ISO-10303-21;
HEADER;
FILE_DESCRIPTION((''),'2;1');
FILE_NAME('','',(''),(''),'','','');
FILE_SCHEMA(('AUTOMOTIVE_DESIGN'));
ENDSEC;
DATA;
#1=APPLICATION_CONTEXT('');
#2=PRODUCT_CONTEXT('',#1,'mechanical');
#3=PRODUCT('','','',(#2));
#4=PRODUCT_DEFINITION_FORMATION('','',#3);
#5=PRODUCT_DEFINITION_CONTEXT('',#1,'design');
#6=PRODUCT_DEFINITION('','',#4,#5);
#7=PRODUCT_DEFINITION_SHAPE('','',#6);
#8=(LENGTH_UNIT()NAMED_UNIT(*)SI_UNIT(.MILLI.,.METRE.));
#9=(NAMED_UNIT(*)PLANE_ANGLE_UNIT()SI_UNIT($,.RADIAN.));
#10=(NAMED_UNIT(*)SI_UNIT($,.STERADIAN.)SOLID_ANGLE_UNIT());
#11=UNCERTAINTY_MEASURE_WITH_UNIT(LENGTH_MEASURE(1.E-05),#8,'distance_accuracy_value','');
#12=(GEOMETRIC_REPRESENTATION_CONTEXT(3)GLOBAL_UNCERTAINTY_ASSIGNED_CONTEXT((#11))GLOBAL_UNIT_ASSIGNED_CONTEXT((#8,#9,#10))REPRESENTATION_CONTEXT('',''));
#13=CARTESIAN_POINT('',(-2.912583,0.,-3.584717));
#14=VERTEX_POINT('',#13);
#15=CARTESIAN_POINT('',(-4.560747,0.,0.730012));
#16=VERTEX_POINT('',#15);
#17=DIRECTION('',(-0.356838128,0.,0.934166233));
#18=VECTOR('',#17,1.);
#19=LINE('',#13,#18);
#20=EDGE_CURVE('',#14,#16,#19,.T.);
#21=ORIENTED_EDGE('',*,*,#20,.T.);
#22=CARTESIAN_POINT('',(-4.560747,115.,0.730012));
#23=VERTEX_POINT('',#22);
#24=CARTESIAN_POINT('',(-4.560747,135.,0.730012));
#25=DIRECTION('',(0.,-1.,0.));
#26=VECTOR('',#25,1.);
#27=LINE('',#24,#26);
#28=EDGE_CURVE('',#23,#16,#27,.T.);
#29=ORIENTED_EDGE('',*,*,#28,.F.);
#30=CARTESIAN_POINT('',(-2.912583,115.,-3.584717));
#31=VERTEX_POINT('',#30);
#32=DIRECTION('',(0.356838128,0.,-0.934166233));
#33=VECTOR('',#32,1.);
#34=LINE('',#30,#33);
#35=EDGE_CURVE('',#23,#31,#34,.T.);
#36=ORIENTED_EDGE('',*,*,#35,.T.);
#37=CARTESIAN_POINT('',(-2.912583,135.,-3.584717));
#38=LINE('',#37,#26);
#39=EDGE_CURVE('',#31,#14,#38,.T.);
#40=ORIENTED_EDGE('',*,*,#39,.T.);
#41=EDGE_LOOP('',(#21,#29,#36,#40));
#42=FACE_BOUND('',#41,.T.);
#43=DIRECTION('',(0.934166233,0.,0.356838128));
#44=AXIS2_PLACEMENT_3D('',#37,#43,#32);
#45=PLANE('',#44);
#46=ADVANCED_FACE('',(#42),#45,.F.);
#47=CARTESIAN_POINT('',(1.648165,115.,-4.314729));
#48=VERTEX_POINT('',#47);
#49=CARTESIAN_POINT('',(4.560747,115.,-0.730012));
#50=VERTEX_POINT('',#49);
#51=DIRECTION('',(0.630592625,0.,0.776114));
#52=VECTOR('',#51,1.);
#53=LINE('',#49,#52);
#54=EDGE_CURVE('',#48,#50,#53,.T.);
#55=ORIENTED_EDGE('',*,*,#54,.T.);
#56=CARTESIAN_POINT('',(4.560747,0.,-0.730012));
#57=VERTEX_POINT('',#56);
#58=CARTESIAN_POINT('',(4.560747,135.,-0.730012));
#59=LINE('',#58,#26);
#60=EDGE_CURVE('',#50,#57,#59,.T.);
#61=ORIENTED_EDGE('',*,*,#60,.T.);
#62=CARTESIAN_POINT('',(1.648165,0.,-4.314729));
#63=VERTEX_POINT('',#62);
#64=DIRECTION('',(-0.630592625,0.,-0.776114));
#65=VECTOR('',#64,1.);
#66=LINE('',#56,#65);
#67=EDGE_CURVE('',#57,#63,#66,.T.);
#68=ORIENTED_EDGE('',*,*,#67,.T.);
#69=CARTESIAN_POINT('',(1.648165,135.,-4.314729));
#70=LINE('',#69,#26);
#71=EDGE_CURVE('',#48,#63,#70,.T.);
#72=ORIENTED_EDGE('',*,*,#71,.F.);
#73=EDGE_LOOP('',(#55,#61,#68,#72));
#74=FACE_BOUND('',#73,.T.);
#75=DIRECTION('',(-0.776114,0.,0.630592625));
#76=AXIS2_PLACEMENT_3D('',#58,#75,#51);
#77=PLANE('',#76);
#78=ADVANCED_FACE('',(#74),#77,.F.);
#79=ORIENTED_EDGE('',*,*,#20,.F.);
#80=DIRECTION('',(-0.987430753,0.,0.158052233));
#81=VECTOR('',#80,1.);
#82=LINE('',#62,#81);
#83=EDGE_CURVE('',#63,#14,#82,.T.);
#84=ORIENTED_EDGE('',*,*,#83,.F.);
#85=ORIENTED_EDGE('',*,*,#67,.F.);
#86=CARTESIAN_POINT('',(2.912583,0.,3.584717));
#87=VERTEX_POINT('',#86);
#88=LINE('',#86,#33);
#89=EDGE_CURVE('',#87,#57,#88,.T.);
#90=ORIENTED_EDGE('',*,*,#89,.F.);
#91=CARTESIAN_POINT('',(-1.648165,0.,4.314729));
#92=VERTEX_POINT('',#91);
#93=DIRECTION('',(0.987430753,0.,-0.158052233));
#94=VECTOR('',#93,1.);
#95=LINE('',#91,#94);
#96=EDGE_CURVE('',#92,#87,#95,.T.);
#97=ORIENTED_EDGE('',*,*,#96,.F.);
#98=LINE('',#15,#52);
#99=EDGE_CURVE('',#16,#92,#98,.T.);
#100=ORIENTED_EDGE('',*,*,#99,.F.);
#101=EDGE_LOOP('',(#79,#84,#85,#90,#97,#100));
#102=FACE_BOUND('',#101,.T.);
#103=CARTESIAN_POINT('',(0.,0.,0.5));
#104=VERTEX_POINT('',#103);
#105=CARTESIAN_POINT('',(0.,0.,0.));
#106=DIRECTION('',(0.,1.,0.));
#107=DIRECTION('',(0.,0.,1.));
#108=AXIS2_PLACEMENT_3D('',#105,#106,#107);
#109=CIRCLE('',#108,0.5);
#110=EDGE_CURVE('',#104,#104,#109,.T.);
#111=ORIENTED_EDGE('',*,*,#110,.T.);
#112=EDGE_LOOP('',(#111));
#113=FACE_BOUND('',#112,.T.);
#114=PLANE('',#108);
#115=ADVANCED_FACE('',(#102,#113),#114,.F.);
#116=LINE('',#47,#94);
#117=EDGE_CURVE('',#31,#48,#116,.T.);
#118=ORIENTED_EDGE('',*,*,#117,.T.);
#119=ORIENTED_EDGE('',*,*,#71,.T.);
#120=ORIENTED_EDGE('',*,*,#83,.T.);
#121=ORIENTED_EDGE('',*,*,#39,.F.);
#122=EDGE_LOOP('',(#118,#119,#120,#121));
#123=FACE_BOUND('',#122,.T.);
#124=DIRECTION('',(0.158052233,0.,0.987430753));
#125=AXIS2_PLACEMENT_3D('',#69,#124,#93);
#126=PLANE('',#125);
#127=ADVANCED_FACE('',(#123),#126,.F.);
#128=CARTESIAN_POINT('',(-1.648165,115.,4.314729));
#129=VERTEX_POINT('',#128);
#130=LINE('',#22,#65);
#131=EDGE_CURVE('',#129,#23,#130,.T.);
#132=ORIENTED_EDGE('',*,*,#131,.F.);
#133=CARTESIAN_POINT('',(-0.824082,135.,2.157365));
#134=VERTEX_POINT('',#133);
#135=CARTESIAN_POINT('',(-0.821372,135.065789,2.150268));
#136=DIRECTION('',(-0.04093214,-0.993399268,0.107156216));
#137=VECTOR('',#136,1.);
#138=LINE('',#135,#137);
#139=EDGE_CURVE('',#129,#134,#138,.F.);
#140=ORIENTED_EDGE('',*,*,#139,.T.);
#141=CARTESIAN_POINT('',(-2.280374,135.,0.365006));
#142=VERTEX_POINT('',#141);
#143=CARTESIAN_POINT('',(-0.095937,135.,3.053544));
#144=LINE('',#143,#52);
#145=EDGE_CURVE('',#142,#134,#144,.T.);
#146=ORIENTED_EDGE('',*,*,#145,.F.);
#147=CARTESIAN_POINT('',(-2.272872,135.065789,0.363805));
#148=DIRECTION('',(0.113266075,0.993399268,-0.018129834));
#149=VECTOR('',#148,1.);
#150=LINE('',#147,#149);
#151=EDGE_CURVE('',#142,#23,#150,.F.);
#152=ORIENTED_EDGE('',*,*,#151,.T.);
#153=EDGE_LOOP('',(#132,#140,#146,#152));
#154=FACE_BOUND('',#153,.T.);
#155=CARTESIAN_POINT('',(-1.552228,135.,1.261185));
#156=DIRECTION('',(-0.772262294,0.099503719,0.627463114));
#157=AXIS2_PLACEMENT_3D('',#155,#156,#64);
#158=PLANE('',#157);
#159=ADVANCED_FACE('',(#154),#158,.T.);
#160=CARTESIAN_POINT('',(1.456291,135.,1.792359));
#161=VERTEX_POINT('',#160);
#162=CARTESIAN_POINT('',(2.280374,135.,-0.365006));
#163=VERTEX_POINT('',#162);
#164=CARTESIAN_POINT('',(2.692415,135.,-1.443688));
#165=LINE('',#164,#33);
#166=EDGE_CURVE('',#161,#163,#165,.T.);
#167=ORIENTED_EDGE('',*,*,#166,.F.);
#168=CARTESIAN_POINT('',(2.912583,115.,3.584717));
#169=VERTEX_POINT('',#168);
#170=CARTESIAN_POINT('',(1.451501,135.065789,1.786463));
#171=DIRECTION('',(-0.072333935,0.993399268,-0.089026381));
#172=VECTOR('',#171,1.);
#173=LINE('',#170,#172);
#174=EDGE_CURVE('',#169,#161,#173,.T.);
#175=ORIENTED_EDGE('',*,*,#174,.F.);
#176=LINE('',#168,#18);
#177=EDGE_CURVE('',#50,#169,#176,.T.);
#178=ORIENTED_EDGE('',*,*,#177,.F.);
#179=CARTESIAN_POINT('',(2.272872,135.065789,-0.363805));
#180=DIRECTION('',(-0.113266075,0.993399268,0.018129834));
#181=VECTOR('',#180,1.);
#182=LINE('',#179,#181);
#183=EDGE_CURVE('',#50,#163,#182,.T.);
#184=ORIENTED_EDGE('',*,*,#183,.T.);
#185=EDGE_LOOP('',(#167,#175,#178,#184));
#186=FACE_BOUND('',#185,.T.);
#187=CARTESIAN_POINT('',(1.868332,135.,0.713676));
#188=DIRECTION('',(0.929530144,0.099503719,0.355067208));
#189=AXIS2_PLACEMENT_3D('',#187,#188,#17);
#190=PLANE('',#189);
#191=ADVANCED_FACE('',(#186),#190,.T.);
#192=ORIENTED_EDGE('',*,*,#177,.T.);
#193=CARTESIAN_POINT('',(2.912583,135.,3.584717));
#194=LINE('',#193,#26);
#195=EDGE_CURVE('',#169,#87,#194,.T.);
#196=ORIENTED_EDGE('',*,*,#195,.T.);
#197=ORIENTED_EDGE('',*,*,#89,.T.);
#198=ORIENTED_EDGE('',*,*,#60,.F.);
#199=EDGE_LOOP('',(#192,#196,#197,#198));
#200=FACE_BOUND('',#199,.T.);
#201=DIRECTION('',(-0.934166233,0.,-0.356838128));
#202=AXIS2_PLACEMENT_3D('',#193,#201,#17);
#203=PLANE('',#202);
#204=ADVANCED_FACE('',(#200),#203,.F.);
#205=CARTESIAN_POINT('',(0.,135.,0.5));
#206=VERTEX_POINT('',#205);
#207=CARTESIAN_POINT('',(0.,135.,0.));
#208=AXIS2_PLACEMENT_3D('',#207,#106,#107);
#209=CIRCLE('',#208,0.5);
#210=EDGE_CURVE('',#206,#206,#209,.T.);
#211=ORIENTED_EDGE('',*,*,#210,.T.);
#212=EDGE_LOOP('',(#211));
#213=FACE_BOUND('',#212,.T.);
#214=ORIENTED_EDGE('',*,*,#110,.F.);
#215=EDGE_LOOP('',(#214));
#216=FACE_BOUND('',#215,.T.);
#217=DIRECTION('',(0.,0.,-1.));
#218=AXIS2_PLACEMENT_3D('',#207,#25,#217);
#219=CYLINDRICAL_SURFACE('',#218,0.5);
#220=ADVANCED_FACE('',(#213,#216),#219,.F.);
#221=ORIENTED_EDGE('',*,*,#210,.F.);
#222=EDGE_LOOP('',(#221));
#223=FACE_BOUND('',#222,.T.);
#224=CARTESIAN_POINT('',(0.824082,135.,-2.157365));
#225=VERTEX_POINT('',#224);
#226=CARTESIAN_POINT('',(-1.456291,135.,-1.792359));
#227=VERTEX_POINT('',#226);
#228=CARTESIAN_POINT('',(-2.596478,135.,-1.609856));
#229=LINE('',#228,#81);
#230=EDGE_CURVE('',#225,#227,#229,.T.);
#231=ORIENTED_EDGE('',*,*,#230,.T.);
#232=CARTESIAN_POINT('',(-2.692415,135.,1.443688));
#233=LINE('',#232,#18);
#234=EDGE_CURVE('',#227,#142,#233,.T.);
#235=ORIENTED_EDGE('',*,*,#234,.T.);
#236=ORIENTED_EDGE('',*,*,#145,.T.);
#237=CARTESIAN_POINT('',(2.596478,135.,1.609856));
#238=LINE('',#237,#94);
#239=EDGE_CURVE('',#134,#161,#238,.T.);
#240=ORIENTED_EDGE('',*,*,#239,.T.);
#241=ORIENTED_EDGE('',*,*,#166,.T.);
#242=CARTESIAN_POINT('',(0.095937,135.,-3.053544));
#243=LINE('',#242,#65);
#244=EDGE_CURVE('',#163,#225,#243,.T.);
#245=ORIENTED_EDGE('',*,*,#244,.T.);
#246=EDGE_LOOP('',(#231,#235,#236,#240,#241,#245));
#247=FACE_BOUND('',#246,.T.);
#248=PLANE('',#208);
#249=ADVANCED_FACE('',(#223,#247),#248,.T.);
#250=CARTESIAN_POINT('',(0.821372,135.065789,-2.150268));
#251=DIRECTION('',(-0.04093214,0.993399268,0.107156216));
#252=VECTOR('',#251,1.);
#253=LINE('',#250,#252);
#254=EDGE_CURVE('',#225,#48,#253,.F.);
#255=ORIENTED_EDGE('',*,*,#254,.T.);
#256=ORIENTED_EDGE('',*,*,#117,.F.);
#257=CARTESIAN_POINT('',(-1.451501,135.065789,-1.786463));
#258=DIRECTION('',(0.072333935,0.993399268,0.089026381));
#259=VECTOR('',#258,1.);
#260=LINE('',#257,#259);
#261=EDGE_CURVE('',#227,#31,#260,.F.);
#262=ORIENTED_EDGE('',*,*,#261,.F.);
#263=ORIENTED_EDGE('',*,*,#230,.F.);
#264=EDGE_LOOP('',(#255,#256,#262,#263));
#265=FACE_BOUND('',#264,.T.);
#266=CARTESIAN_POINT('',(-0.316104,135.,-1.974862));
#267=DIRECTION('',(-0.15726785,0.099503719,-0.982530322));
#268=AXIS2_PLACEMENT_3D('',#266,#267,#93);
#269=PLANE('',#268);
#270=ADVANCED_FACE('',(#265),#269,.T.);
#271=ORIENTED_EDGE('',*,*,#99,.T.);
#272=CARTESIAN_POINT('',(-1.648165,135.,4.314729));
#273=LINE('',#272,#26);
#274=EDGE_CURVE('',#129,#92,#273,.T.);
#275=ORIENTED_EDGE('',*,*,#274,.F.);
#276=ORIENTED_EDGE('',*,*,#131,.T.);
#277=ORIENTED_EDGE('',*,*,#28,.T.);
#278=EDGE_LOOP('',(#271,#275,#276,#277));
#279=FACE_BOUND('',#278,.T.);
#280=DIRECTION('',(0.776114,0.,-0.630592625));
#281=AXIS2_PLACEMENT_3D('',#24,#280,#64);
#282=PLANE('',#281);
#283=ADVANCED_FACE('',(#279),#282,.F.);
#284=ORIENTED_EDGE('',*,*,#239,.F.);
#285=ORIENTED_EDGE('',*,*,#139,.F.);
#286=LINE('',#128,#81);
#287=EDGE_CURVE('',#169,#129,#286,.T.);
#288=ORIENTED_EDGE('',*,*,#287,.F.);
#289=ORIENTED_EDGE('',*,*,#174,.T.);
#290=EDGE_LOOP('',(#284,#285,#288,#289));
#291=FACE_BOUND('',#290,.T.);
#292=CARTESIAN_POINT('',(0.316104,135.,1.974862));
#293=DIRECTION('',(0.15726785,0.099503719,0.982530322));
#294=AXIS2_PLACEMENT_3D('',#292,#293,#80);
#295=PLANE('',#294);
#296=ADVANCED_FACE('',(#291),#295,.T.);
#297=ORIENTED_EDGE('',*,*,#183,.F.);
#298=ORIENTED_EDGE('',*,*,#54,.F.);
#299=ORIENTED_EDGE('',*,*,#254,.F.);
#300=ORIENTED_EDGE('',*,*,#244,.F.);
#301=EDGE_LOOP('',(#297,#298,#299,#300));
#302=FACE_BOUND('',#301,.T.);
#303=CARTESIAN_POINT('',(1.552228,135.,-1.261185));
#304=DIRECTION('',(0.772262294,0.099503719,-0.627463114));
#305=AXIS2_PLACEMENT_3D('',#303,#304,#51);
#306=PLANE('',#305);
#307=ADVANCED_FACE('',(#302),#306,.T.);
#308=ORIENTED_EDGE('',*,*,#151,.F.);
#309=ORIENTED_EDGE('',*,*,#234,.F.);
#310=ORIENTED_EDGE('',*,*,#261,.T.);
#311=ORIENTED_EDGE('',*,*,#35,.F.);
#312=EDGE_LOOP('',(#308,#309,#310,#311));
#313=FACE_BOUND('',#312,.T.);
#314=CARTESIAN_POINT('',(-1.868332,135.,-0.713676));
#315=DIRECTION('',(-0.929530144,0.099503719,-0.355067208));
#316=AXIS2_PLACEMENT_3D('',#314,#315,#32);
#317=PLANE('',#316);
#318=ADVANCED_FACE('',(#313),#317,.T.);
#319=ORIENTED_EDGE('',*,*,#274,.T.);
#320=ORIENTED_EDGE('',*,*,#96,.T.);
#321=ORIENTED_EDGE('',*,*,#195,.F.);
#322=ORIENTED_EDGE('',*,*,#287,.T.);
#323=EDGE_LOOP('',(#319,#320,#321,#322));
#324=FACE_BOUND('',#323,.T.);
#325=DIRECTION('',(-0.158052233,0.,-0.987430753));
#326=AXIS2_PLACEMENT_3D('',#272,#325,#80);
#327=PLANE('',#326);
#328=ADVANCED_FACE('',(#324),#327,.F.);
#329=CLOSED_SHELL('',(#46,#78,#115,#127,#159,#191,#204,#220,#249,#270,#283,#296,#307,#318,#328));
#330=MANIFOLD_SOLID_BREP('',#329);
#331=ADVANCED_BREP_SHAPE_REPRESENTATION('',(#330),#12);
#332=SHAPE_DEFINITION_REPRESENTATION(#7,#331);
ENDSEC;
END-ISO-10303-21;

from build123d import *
from OCP.BRepFilletAPI import BRepFilletAPI_MakeChamfer

# Parameters (mm, degrees)
SKIZZE1_R                       = 0.5
AUFSATZ_LINEAR_AUSTRAGEN1_DEPTH = 135
FASE2_SIZE                      = 20
FASE2_SIZE2                     = 2


with BuildPart() as part:
    # Skizze1 → Aufsatz-Linear austragen1 (new body)
    with BuildSketch(Plane(origin=(0, 0, 0), x_dir=(1, 0, 0), z_dir=(0, 1, 0))):
        Polygon((2.912582575, -3.584717015), (4.560747288, 0.730011993), (1.648164713, 4.314729008), (-2.912582575, 3.584717015), (-4.560747288, -0.730011993), (-1.648164713, -4.314729008), align=None)
        with Locations(Location((0, 0, 0), (0, 0, 270))):
            Circle(SKIZZE1_R, mode=Mode.SUBTRACT)
    extrude(amount=AUFSATZ_LINEAR_AUSTRAGEN1_DEPTH)

    # Fase2: one chamfer whose edges measure the first distance from different faces: ONE call of the kernel's chamfer builder (chamfer() names one face for all edges)
    fase2_edges_1 = [part.edges().sort_by_distance(p)[0] for p in [
        (3.104456, 135, -2.5223705),
    ]]
    fase2_side_1 = [part.faces().sort_by_distance(p)[0] for p in [
        (3.104456, 67.5, -2.5223705),
    ]]
    fase2_edges_2 = [part.edges().sort_by_distance(p)[0] for p in [
        (-0.632208931, 135, -3.949723012),
    ]]
    fase2_side_2 = [part.faces().sort_by_distance(p)[0] for p in [
        (-0.632208931, 67.5, -3.949723012),
    ]]
    fase2_edges_3 = [part.edges().sort_by_distance(p)[0] for p in [
        (-3.736664931, 135, -1.427352511),
    ]]
    fase2_side_3 = [part.faces().sort_by_distance(p)[0] for p in [
        (-3.736664931, 67.5, -1.427352511),
    ]]
    fase2_edges_4 = [part.edges().sort_by_distance(p)[0] for p in [
        (-3.104456, 135, 2.5223705),
    ]]
    fase2_side_4 = [part.faces().sort_by_distance(p)[0] for p in [
        (-3.104456, 67.5, 2.5223705),
    ]]
    fase2_edges_5 = [part.edges().sort_by_distance(p)[0] for p in [
        (0.632208931, 135, 3.949723012),
    ]]
    fase2_side_5 = [part.faces().sort_by_distance(p)[0] for p in [
        (0.632208931, 67.5, 3.949723012),
    ]]
    fase2_edges_6 = [part.edges().sort_by_distance(p)[0] for p in [
        (3.736664931, 135, 1.427352511),
    ]]
    fase2_side_6 = [part.faces().sort_by_distance(p)[0] for p in [
        (3.736664931, 67.5, 1.427352511),
    ]]
    fase2 = BRepFilletAPI_MakeChamfer(part.part.solid().wrapped)
    for e in fase2_edges_1:
        fase2.Add(FASE2_SIZE, FASE2_SIZE2, e.wrapped, fase2_side_1[0].wrapped)  # the first distance lies on this face
    for e in fase2_edges_2:
        fase2.Add(FASE2_SIZE, FASE2_SIZE2, e.wrapped, fase2_side_2[0].wrapped)  # the first distance lies on this face
    for e in fase2_edges_3:
        fase2.Add(FASE2_SIZE, FASE2_SIZE2, e.wrapped, fase2_side_3[0].wrapped)  # the first distance lies on this face
    for e in fase2_edges_4:
        fase2.Add(FASE2_SIZE, FASE2_SIZE2, e.wrapped, fase2_side_4[0].wrapped)  # the first distance lies on this face
    for e in fase2_edges_5:
        fase2.Add(FASE2_SIZE, FASE2_SIZE2, e.wrapped, fase2_side_5[0].wrapped)  # the first distance lies on this face
    for e in fase2_edges_6:
        fase2.Add(FASE2_SIZE, FASE2_SIZE2, e.wrapped, fase2_side_6[0].wrapped)  # the first distance lies on this face
    add(Compound.cast(fase2.Shape()), mode=Mode.REPLACE)


solid = part.part
